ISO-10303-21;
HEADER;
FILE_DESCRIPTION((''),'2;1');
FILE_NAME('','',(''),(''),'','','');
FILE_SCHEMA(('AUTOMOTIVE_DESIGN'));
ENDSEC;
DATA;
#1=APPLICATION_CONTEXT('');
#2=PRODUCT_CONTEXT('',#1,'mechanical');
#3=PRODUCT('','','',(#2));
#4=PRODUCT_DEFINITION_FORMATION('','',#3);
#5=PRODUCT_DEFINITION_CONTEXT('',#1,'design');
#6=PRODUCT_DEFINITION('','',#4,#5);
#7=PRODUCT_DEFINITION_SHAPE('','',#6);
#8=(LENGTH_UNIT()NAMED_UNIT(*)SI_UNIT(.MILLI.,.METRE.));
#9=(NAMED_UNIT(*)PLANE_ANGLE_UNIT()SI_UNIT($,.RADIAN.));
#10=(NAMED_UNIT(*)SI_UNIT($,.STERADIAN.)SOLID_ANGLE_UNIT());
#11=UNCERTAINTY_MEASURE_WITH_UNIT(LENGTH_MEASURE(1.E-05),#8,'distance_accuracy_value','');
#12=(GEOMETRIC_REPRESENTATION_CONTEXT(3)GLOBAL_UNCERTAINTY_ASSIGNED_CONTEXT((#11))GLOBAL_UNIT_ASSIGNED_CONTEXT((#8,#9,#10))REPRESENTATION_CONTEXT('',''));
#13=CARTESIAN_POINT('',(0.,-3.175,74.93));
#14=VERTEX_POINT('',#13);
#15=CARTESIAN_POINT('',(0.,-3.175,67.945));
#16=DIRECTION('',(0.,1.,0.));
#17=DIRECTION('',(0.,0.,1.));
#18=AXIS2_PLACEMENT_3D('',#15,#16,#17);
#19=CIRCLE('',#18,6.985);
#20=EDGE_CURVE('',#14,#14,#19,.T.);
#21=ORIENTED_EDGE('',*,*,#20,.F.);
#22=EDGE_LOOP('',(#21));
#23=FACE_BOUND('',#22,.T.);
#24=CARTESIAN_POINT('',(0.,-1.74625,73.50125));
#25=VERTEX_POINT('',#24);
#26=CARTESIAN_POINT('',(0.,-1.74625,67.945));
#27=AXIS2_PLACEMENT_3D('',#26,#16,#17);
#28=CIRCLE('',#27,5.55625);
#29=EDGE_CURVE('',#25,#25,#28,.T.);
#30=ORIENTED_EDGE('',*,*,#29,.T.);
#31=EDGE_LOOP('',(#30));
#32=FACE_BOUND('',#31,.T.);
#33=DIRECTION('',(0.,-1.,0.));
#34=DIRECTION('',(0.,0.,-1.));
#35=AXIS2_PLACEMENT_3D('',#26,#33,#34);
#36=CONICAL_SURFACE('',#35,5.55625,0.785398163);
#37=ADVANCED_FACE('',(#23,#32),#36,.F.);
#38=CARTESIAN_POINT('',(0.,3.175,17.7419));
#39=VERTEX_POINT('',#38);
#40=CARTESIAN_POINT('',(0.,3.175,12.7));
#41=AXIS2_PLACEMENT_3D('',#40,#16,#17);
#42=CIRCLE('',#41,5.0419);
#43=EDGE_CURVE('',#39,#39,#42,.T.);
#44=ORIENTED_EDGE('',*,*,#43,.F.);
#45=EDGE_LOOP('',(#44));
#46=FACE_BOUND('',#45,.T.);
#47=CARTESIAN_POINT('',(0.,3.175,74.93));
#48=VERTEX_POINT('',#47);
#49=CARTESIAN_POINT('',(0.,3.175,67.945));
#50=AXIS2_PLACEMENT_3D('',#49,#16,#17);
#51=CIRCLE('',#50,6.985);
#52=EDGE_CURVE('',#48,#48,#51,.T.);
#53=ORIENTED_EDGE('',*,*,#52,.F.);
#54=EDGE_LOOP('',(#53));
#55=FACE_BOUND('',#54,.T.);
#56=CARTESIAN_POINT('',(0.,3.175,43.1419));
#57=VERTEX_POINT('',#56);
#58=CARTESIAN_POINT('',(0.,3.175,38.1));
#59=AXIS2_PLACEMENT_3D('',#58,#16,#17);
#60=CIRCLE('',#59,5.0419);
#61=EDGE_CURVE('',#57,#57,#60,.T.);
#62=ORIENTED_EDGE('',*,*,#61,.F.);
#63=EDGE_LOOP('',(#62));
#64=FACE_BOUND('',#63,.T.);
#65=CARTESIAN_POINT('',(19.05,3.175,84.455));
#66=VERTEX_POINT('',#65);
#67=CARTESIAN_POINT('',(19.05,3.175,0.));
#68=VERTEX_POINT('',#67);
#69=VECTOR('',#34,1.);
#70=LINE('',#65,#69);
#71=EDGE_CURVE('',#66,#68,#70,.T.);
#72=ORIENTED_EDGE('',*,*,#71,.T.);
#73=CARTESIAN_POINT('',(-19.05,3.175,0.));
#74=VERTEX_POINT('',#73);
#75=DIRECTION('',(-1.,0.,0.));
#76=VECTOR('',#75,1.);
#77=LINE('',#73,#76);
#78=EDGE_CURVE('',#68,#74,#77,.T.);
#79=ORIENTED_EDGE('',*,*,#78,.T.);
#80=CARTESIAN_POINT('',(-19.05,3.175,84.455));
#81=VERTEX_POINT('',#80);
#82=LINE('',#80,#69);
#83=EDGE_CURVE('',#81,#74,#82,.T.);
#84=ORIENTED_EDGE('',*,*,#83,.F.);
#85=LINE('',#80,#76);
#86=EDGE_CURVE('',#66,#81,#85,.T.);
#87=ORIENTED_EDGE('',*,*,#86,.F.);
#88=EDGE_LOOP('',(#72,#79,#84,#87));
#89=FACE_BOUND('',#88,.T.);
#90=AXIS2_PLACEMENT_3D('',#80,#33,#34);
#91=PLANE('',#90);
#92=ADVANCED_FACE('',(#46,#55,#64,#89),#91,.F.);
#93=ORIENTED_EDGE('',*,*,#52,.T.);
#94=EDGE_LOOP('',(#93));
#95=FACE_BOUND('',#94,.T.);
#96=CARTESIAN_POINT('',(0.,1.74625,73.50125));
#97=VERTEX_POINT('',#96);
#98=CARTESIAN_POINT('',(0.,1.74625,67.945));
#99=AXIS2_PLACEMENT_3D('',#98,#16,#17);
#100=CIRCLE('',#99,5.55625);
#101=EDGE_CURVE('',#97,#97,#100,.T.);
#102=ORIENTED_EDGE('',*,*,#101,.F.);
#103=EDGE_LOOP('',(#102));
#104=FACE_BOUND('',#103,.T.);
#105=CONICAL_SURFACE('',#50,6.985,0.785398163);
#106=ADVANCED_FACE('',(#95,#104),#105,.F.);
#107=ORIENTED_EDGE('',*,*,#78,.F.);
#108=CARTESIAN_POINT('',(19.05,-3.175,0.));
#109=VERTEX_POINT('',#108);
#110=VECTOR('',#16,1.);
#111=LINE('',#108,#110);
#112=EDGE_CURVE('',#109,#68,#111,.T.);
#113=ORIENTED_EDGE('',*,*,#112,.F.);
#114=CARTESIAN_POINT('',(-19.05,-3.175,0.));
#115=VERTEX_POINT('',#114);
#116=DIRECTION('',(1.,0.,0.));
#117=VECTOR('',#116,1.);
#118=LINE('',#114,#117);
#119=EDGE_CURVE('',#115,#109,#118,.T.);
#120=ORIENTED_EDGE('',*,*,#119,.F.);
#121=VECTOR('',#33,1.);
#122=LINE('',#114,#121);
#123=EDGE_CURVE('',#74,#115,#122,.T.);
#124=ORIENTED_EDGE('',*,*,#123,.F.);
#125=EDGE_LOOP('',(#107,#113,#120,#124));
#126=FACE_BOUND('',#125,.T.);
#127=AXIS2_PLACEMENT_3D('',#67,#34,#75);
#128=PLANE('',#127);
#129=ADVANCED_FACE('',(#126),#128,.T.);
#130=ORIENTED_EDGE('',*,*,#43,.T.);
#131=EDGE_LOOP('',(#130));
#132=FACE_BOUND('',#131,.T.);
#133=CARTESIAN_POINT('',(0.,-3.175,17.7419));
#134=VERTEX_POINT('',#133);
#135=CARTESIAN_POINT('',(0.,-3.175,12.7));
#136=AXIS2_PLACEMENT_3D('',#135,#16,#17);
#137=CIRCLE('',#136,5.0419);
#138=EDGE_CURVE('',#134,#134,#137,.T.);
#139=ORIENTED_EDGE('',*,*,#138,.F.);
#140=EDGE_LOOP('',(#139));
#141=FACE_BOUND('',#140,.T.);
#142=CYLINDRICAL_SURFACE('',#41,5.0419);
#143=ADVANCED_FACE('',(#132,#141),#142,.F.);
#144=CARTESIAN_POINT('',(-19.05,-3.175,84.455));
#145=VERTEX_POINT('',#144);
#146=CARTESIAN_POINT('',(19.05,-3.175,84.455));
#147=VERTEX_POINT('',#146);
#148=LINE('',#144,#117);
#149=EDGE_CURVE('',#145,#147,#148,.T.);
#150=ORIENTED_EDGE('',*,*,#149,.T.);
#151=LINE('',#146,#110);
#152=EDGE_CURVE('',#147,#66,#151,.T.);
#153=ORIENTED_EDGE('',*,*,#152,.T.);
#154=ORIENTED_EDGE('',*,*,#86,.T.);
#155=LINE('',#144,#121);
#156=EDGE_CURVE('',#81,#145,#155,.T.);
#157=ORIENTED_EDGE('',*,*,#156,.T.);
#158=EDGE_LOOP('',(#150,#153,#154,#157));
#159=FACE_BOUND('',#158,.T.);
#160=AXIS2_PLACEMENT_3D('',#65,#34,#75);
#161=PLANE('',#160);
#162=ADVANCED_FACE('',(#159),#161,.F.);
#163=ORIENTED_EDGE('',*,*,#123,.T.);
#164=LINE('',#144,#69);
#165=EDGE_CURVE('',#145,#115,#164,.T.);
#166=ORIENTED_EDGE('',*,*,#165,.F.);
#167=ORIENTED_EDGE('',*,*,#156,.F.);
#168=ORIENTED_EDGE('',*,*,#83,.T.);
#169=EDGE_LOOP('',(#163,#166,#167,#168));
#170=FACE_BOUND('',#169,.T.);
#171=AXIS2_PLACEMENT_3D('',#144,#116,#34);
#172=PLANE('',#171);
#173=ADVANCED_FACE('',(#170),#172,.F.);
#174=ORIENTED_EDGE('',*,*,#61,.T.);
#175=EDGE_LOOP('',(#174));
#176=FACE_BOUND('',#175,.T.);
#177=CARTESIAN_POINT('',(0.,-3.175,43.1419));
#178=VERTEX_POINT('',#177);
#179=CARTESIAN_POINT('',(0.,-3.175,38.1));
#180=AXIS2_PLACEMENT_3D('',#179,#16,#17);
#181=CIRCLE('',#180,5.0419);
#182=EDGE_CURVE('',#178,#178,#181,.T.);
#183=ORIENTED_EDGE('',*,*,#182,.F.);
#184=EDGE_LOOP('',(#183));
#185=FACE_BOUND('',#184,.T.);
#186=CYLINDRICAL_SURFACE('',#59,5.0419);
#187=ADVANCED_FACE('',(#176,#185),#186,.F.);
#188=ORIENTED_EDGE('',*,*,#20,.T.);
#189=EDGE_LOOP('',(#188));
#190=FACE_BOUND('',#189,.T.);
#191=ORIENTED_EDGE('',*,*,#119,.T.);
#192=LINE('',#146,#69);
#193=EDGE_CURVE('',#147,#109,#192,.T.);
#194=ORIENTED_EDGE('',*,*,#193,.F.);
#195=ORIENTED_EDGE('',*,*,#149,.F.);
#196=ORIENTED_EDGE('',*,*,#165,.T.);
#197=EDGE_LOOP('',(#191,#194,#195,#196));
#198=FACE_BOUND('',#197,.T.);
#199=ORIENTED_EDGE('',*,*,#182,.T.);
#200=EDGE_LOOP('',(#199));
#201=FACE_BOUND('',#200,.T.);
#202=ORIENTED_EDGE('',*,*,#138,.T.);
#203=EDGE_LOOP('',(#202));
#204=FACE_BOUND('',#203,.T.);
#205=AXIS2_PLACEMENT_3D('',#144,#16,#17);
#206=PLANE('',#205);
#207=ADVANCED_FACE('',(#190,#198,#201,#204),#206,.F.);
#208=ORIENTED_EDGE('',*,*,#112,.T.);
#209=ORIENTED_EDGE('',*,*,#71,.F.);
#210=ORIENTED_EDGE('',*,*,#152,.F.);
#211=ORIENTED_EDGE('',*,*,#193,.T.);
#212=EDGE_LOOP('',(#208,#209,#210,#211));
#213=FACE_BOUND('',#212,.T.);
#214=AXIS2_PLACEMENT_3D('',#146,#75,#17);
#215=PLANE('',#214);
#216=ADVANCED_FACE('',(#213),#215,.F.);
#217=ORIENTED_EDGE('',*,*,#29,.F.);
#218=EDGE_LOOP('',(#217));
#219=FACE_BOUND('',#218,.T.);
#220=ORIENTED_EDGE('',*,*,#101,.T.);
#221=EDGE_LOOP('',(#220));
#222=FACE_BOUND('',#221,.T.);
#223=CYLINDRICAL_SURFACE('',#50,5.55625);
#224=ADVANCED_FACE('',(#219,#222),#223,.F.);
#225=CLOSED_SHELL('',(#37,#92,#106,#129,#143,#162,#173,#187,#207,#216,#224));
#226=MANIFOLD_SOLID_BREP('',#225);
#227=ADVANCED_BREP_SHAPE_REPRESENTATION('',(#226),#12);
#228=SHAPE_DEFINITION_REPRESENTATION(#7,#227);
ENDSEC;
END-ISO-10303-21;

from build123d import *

# Parameters (mm, degrees)
SKETCH1_W                   = 38.1
SKETCH1_H                   = 6.35
EXTRUDE1_DEPTH              = 84.455
F_3_8_CLEARANCE_HOLE1_D     = 10.0838
F_3_8_CLEARANCE_HOLE1_DEPTH = 16.002
F_3_8_CLEARANCE_HOLE1_TIP   = 3.029479155


with BuildPart() as part:
    # Sketch1 → Extrude1 (new body)
    with BuildSketch(Plane.XY):
        Rectangle(SKETCH1_W, SKETCH1_H)
    extrude(amount=EXTRUDE1_DEPTH)

    # 3/8 Clearance Hole1
    with Locations(Plane(origin=(0, 3.175, 12.7), x_dir=(0, 0, 1), z_dir=(0, 1, 0))):
        with Locations((0, 0), (25.4, 0)):
            Hole(F_3_8_CLEARANCE_HOLE1_D / 2, depth=F_3_8_CLEARANCE_HOLE1_DEPTH)
            with Locations((0, 0, -(F_3_8_CLEARANCE_HOLE1_DEPTH + F_3_8_CLEARANCE_HOLE1_TIP / 2))):  # 118° drill point
                Cone(0, F_3_8_CLEARANCE_HOLE1_D / 2, F_3_8_CLEARANCE_HOLE1_TIP, mode=Mode.SUBTRACT)

    # Sketch4 → 7/16 (0.4375) Diameter Hole2 (revolve, cut)
    with BuildSketch(Plane(origin=(0, 3.175, 67.945), x_dir=(0, 0, 1), z_dir=(1, 0, 0))):
        Polygon((0, 0), (0, 6.35), (6.985, 6.35), (5.55625, 4.92125), (5.55625, 1.42875), (6.985, 0), align=None)
    revolve(axis=Axis((0, 9.525, 67.945), (0, -1, 0)), mode=Mode.SUBTRACT)


solid = part.part
